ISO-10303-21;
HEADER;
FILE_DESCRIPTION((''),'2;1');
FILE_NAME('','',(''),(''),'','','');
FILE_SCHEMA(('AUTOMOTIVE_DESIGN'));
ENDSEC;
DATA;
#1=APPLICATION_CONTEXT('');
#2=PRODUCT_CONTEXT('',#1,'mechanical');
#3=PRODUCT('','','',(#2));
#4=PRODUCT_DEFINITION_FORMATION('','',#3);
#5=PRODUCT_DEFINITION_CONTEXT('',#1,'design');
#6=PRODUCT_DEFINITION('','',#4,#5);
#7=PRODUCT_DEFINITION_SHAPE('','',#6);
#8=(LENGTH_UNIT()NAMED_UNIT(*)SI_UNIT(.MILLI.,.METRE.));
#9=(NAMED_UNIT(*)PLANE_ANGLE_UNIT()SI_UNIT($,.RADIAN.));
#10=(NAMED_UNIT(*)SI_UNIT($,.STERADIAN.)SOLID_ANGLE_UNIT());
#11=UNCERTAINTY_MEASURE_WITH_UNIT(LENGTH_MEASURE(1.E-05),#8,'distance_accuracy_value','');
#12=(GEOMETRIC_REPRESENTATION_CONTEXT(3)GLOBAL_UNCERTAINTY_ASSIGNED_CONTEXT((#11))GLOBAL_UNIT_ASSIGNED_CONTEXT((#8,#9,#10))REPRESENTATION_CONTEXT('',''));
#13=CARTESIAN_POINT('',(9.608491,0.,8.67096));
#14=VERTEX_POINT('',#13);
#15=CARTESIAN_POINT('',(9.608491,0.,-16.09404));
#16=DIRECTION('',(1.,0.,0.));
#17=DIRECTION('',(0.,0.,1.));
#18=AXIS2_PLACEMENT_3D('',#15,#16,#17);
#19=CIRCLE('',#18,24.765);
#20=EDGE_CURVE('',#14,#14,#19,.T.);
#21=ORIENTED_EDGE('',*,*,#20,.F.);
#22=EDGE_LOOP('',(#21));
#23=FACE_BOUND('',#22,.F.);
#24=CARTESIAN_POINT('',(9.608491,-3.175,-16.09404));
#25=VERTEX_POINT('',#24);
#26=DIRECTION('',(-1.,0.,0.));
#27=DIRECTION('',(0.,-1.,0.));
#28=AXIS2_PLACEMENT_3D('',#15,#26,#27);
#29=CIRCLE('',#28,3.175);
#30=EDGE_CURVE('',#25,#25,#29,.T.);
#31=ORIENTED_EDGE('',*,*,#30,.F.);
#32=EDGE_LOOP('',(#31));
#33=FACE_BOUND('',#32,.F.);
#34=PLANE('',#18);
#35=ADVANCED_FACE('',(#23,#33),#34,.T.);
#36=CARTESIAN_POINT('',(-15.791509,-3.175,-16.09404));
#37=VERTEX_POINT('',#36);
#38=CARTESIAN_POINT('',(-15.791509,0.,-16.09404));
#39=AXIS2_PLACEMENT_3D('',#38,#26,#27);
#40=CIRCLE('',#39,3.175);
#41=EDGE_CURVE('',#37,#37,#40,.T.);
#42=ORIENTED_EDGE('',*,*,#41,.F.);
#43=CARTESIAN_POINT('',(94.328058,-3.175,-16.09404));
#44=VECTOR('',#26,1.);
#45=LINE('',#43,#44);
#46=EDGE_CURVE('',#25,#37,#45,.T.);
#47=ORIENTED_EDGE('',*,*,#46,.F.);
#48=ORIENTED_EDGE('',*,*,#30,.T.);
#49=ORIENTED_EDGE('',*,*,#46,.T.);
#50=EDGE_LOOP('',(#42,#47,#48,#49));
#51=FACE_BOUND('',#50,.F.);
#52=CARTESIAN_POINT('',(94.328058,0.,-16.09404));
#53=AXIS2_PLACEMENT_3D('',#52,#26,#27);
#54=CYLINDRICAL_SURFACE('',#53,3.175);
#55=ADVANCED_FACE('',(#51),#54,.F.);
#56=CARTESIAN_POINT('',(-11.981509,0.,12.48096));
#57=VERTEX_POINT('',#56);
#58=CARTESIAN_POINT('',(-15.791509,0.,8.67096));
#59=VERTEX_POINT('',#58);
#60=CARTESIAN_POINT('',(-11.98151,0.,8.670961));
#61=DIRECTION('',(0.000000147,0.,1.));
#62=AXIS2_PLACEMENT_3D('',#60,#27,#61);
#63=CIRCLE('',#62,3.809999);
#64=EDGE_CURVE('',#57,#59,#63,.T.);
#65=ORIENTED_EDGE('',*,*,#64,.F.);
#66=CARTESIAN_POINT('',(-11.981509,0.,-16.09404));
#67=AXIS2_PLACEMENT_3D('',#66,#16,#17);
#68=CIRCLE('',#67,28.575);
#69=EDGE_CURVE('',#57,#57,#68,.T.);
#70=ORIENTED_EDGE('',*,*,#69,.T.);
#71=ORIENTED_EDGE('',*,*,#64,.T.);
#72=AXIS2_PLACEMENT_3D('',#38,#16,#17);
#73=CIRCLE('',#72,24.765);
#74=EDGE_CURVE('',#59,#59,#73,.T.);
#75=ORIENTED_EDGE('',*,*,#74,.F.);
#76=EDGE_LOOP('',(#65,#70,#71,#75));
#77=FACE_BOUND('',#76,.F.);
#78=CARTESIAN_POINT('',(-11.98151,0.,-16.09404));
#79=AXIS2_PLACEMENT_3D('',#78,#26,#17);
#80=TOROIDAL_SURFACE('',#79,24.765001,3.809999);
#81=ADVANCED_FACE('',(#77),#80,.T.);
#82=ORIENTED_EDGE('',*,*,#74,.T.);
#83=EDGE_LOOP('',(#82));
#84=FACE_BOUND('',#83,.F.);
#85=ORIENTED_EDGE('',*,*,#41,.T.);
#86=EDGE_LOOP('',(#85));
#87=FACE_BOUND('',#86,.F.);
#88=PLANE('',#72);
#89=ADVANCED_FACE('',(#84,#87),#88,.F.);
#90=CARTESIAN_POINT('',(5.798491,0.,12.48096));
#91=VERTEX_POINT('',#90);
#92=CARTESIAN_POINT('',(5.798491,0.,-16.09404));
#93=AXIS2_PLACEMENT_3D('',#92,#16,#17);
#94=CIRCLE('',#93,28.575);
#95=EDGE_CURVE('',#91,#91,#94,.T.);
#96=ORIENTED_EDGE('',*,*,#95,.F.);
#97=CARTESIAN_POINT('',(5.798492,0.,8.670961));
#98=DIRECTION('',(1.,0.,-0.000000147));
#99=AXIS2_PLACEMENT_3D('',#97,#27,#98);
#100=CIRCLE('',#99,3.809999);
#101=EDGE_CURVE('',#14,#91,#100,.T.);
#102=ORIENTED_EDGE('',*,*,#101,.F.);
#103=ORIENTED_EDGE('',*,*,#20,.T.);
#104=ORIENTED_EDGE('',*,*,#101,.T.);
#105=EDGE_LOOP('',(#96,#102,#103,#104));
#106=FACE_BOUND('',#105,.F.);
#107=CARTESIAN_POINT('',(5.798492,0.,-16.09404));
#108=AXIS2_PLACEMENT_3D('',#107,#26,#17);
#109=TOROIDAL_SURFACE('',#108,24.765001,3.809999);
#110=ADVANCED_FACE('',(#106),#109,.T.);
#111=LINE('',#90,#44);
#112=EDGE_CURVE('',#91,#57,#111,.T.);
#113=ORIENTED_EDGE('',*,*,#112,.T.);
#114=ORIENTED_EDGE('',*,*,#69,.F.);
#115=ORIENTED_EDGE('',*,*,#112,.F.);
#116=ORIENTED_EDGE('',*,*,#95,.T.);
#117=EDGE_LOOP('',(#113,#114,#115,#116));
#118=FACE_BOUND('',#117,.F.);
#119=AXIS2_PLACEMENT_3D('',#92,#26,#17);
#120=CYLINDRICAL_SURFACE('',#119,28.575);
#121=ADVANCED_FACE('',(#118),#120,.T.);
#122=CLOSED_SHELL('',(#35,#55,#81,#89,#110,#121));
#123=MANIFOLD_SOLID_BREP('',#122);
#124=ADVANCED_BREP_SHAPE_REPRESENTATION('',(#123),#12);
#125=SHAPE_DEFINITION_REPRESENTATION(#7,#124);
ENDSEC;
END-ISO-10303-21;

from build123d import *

# Parameters (mm, degrees)
F3_D = 6.35


with BuildPart() as f1:
    # F0 (on Front) → F1 (revolve)
    with BuildSketch(Plane.XZ):
        with BuildLine():
            Line((5.798491, 12.48096), (-11.981509, 12.48096))
            ThreePointArc((-11.981509, 12.48096), (-14.675586, 11.365037), (-15.791509, 8.67096))
            Line((-15.791509, 8.67096), (-15.791509, -16.09404))
            Line((-15.791509, -16.09404), (9.608491, -16.09404))
            Line((9.608491, -16.09404), (9.608491, 8.67096))
            ThreePointArc((9.608491, 8.67096), (8.492568, 11.365037), (5.798491, 12.48096))
        make_face()
    revolve(axis=Axis((7.820527, 0, -16.09404), (1, 0, 0)))

    # F3 (through all)
    with Locations(Plane.YZ.offset(9.608491)):
        with Locations((0, -16.09404)):
            Hole(F3_D / 2)


solid = f1.part
